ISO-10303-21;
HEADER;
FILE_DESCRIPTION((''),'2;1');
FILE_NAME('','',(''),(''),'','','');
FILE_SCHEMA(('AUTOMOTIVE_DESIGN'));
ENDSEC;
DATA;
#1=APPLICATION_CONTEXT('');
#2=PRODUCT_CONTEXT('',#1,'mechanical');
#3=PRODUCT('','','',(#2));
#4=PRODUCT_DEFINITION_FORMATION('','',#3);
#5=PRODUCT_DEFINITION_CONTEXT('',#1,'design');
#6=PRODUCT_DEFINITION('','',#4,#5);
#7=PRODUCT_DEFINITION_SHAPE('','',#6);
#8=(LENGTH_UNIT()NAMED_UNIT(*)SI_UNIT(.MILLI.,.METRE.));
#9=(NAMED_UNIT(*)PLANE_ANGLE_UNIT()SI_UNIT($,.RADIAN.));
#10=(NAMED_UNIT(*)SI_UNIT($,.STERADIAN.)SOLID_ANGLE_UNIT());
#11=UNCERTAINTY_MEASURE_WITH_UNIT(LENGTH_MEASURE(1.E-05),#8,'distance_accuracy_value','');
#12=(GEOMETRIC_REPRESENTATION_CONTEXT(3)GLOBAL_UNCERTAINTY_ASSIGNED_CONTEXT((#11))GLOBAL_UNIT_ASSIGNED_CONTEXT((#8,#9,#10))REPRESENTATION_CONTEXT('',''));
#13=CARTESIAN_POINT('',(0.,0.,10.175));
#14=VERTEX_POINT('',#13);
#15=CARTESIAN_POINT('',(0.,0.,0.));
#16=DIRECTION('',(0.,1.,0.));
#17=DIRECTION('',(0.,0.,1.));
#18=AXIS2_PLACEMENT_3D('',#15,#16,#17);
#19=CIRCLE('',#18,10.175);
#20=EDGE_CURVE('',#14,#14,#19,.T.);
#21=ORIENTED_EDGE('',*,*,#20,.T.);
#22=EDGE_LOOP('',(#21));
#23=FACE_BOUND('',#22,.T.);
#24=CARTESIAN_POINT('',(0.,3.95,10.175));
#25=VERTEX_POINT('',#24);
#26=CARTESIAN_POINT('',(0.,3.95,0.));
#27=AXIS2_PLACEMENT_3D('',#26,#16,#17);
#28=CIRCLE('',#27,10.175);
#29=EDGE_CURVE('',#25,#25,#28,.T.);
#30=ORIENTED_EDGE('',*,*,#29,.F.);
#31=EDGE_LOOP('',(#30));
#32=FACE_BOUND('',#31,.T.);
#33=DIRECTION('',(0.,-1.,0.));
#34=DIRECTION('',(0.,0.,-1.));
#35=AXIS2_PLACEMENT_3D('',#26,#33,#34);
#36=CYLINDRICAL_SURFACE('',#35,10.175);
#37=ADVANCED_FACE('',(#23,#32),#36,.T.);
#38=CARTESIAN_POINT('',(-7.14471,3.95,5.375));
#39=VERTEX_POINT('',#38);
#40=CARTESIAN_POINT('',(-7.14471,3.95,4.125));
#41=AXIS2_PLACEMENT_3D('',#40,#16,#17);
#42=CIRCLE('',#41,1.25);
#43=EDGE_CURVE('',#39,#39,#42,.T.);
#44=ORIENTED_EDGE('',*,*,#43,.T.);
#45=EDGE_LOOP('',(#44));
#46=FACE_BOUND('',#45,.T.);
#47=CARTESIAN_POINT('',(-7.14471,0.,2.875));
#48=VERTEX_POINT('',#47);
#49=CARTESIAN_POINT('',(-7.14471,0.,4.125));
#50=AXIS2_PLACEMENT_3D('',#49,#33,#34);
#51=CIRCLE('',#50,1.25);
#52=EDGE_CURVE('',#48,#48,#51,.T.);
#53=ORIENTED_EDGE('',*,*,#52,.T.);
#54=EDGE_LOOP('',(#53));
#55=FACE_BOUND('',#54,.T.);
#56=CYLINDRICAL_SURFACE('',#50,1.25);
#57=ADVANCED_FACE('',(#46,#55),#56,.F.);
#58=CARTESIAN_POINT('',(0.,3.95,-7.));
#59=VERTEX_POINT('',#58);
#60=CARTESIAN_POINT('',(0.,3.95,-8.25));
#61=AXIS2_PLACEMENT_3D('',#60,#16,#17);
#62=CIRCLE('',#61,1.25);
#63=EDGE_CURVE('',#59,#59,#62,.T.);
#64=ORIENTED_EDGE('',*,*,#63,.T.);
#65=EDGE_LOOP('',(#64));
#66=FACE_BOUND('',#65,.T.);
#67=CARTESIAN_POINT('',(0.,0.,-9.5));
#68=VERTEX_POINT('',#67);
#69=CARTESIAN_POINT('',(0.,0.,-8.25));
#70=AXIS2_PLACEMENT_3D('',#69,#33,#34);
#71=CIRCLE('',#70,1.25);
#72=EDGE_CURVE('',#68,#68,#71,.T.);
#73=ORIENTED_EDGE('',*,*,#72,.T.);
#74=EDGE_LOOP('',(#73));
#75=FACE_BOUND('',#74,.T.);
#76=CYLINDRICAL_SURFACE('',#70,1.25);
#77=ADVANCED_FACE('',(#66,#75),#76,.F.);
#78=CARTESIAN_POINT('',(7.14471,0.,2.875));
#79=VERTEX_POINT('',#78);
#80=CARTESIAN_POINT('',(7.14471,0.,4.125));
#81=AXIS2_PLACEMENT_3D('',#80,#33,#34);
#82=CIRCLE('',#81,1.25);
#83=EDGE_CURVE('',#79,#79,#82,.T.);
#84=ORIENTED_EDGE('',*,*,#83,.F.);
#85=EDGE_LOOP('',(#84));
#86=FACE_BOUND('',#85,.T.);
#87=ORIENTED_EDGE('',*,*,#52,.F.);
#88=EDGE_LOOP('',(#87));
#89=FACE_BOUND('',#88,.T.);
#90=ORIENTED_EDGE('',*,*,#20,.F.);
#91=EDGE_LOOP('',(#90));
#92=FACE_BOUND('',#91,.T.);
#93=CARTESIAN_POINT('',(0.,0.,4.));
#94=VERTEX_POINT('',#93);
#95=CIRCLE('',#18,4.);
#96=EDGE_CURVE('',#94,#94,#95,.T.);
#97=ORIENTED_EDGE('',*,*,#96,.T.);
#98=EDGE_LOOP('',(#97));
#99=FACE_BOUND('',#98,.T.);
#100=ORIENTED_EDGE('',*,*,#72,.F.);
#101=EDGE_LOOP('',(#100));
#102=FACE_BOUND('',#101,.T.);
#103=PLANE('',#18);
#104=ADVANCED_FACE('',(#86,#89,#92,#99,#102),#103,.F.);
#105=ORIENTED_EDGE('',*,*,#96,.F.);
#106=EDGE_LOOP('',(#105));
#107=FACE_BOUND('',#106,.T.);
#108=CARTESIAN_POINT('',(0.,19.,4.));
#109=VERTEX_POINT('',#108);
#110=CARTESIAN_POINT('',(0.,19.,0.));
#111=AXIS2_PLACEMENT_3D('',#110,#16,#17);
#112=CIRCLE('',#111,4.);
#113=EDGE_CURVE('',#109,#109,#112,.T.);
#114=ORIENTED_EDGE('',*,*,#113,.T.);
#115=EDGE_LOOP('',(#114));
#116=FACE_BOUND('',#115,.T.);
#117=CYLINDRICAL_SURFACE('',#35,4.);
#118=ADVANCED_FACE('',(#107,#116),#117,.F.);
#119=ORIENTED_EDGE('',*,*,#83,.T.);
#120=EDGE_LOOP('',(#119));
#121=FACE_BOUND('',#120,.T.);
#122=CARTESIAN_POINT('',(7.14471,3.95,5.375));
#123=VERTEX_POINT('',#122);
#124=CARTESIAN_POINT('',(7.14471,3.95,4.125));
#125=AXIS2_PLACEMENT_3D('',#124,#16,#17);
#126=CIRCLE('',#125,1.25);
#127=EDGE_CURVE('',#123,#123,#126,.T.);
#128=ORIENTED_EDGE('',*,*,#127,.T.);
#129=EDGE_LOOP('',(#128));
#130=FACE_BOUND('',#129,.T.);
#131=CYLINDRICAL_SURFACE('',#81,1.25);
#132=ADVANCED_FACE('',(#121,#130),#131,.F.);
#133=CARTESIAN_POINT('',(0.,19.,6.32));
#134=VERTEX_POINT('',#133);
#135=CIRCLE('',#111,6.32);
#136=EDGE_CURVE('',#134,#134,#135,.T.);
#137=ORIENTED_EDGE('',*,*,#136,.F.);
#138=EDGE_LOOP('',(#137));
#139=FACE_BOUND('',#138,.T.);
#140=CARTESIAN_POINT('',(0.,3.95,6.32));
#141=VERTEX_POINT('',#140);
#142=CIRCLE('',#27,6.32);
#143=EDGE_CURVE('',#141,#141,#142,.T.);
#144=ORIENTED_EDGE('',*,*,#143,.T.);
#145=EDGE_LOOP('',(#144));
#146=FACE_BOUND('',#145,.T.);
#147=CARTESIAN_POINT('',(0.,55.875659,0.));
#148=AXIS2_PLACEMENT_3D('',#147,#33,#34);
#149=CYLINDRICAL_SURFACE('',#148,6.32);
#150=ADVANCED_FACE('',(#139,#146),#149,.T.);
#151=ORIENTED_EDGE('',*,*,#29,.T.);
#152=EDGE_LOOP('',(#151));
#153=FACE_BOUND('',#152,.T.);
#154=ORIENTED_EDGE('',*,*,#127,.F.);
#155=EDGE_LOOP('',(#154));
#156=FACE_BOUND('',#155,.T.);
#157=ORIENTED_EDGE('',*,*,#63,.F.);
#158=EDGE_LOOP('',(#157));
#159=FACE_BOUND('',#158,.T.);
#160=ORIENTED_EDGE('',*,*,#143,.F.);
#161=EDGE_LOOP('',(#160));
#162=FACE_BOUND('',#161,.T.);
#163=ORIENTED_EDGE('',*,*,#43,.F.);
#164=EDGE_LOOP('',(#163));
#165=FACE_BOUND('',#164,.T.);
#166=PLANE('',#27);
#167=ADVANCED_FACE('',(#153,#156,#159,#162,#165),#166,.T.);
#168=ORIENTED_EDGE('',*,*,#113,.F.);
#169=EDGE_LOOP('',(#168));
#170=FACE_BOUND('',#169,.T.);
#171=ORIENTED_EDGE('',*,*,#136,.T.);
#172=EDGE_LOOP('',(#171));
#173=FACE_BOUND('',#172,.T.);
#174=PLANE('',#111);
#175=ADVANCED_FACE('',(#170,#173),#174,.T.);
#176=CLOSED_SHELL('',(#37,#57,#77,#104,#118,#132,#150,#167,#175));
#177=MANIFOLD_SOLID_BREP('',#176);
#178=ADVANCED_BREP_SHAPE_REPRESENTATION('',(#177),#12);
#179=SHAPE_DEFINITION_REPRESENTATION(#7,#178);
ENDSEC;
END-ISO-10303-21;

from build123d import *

# Parameters (mm, degrees)
SKETCH1_R                   = 10.175
SKETCH1_R_2                 = 4
BOSS_EXTRUDE1_DEPTH         = 3.95
SKETCH2_R                   = 6.32
SKETCH2_R_2                 = 4
BOSS_EXTRUDE2_DEPTH         = 15.05
TAP_DRILL_FOR_M3_TAP1_D     = 2.5
TAP_DRILL_FOR_M3_TAP1_DEPTH = 3.95


with BuildPart() as part:
    # Sketch1 → Boss-Extrude1 (new body)
    with BuildSketch(Plane(origin=(0, 0, 0), x_dir=(1, 0, 0), z_dir=(0, 1, 0))):
        Circle(SKETCH1_R)
        Circle(SKETCH1_R_2, mode=Mode.SUBTRACT)
    extrude(amount=BOSS_EXTRUDE1_DEPTH)

    # Sketch2 → Boss-Extrude2 (add)
    with BuildSketch(Plane(origin=(0, 3.95, 0), x_dir=(1, 0, 0), z_dir=(0, 1, 0))):
        Circle(SKETCH2_R)
        Circle(SKETCH2_R_2, mode=Mode.SUBTRACT)
    extrude(amount=BOSS_EXTRUDE2_DEPTH)

    # Tap Drill for M3 Tap1
    with Locations(Plane(origin=(-7.144709581, 0, 4.125), x_dir=(0, 0, -1), z_dir=(0, -1, 0))):
        with Locations((0, 0), (0, 14.289419162), (12.375, 7.144709581)):
            Hole(TAP_DRILL_FOR_M3_TAP1_D / 2, depth=TAP_DRILL_FOR_M3_TAP1_DEPTH)


solid = part.part
